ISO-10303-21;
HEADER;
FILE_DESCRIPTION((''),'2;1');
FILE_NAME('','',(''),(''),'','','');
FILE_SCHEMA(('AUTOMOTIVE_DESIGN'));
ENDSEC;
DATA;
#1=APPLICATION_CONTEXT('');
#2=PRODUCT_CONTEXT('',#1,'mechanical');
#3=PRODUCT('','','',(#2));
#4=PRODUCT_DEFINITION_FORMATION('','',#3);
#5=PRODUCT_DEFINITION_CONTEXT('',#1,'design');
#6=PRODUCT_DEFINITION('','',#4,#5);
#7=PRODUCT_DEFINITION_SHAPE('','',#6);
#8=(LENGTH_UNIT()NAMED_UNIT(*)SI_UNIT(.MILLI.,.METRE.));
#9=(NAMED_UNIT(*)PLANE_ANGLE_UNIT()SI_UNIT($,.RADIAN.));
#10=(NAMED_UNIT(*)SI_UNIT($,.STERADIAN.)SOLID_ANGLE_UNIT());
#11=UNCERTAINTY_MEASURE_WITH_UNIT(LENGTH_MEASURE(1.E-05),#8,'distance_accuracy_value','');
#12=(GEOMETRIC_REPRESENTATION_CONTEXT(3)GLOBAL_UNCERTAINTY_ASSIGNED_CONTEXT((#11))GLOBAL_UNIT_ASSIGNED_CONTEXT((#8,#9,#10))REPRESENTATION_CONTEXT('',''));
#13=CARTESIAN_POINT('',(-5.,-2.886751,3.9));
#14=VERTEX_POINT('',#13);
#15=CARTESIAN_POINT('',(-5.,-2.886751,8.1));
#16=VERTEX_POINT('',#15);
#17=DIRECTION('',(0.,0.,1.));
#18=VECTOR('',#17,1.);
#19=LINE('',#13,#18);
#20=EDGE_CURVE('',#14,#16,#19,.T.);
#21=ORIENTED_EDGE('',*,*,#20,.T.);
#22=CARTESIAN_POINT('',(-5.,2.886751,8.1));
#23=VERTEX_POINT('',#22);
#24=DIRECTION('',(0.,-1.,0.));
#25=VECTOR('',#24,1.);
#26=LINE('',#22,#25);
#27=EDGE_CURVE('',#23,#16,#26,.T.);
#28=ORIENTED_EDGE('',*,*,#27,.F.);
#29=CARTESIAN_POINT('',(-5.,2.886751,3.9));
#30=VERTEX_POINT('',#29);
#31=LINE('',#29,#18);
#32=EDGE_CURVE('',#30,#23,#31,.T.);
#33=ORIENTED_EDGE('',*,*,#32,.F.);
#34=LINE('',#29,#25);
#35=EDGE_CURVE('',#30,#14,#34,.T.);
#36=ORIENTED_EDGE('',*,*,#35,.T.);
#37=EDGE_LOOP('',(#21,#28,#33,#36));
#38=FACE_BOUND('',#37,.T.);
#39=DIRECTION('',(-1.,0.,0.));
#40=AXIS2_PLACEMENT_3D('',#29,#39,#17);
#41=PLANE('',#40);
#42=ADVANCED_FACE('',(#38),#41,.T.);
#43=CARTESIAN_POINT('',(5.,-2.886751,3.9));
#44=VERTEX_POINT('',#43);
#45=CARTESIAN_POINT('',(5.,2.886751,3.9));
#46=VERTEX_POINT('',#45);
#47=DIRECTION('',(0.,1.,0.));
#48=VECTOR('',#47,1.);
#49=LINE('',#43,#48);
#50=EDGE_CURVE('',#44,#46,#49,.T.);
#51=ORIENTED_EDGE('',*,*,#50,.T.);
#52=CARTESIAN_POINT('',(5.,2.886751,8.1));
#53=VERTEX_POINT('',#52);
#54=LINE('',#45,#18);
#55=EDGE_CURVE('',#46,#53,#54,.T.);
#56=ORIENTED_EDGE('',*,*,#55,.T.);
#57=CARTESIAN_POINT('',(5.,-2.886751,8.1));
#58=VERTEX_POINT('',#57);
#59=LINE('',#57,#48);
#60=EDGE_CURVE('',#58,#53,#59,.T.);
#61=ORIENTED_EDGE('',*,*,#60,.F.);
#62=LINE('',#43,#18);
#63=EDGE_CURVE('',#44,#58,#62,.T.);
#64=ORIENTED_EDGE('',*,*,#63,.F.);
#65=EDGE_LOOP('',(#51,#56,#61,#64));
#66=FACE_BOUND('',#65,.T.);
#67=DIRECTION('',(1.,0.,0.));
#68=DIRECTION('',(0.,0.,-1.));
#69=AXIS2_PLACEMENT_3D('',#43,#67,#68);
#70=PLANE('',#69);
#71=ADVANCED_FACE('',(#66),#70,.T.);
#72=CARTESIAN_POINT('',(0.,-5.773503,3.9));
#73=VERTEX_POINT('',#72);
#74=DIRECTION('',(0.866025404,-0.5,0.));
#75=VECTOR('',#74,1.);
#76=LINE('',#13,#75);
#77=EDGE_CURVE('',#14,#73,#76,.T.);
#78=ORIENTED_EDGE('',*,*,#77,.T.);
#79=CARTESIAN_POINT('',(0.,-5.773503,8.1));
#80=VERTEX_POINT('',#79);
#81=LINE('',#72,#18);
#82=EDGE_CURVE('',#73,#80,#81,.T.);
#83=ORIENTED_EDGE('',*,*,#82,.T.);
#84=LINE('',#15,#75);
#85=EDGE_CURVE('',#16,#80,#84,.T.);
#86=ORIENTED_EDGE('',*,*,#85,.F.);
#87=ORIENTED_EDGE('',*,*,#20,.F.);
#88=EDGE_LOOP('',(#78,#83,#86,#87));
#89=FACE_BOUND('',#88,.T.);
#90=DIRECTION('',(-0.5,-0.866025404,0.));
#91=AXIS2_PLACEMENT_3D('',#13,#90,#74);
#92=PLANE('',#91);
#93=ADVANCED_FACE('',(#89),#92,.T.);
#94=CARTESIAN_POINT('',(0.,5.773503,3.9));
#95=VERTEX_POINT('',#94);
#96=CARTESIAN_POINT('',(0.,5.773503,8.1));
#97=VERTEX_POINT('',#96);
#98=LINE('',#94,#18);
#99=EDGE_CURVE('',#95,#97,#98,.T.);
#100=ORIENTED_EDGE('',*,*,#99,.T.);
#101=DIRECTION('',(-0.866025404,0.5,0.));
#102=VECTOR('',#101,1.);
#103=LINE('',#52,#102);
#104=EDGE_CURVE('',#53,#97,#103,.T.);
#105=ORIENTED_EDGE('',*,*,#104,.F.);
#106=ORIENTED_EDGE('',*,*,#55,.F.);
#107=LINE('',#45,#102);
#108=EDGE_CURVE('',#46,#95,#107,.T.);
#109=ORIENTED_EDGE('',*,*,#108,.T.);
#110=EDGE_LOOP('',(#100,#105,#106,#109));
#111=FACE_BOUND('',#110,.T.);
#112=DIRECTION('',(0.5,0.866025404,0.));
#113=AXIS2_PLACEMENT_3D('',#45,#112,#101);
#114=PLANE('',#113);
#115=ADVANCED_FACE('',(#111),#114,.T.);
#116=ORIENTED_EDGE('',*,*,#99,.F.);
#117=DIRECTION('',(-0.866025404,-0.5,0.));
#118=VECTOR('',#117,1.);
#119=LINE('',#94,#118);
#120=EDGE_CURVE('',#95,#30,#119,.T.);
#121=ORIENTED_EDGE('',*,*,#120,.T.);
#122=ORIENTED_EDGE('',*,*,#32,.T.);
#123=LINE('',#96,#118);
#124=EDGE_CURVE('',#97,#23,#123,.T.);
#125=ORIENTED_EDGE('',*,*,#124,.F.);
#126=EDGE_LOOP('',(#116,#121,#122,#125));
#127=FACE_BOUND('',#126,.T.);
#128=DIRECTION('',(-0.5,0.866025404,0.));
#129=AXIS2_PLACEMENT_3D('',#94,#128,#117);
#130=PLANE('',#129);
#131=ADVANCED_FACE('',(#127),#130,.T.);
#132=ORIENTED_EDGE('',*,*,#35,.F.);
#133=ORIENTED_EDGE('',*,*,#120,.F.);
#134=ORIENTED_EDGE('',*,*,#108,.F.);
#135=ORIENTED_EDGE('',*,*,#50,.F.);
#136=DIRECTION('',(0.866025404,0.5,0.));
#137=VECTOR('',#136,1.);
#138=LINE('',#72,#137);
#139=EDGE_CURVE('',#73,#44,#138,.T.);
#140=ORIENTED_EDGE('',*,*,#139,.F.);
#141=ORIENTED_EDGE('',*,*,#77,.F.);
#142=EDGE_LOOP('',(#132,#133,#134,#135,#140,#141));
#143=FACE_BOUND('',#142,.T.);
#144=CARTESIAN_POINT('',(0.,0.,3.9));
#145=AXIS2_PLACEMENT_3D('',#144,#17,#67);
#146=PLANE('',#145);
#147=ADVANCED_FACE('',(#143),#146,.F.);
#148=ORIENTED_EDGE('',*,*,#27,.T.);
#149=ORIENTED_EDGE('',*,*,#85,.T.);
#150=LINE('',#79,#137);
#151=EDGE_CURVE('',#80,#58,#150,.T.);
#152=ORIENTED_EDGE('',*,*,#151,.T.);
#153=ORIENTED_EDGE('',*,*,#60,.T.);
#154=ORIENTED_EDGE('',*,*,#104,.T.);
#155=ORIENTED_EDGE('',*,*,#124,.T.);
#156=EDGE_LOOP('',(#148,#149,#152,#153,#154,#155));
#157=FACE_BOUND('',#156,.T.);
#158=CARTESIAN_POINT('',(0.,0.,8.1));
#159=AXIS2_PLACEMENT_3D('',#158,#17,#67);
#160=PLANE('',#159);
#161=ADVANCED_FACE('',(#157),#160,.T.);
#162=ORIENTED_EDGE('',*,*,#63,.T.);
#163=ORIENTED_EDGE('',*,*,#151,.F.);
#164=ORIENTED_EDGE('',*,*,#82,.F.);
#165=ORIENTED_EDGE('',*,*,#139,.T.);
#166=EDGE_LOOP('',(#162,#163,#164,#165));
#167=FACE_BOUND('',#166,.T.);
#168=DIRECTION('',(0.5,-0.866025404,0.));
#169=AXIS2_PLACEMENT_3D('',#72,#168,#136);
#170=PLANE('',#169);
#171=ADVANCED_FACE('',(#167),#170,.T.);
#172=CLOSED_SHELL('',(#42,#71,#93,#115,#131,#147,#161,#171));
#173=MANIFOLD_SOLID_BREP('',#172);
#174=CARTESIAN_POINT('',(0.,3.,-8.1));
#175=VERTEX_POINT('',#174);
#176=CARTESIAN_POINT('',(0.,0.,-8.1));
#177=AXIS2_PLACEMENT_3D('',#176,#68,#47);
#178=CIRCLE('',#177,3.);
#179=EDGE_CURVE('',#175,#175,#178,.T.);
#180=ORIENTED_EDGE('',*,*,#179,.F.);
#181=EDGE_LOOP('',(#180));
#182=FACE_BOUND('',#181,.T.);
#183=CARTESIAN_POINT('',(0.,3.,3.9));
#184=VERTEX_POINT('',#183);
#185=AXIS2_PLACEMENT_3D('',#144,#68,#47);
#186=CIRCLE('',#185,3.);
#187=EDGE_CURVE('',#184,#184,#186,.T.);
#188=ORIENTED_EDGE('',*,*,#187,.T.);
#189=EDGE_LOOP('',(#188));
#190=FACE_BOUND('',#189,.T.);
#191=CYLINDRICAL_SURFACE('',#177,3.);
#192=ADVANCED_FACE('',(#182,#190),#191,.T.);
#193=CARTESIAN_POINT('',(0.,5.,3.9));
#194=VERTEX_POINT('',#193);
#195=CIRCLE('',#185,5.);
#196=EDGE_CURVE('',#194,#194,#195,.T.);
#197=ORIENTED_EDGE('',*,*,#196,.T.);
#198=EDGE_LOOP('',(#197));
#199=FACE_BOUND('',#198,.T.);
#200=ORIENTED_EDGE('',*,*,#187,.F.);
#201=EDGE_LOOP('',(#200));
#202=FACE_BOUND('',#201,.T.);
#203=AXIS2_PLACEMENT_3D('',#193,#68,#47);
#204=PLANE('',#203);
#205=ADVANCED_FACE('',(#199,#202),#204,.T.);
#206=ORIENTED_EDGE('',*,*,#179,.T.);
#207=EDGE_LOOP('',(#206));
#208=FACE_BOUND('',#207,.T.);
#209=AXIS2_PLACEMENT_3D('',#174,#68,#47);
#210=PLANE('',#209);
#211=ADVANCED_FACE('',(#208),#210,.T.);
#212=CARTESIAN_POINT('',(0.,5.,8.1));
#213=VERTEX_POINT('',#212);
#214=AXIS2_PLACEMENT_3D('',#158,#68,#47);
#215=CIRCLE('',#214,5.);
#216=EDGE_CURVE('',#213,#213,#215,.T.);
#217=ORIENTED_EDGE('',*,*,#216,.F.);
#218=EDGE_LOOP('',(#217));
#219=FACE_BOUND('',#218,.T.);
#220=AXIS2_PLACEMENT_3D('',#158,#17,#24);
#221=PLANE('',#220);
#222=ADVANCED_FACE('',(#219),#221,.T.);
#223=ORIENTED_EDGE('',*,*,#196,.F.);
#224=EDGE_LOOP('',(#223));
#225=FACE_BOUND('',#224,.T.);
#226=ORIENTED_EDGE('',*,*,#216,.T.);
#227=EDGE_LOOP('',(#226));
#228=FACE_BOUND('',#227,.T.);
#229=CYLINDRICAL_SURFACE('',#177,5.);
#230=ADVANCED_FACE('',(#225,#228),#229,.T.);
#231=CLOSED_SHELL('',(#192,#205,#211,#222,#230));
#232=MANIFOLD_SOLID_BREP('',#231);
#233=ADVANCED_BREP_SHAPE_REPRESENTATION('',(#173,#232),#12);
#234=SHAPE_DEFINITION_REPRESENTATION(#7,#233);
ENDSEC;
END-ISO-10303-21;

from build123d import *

# Parameters (mm, degrees)
BOSS_EXTRUDE1_DEPTH = 4.2


with BuildPart() as part:
    # Sketch2 → Revolve1 (revolve)
    with BuildSketch(Plane(origin=(0, 0, 0), x_dir=(0, 0, -1), z_dir=(1, 0, 0))):
        Polygon((8.1, 0), (-8.1, 0), (-8.1, 5), (-3.9, 5), (-3.9, 3), (8.1, 3), align=None)
    revolve(axis=Axis((0, 0, -8.1), (0, 0, 1)))


with BuildPart() as body_2:
    # Sketch3 → Boss-Extrude1 (new body)
    with BuildSketch(Plane.XY.offset(8.1)):
        Polygon((0, 5.773502692), (-5, 2.886751346), (-5, -2.886751346), (0, -5.773502692), (5, -2.886751346), (5, 2.886751346), align=None)
    extrude(amount=-BOSS_EXTRUDE1_DEPTH)


solid = Compound([part.part, body_2.part])
